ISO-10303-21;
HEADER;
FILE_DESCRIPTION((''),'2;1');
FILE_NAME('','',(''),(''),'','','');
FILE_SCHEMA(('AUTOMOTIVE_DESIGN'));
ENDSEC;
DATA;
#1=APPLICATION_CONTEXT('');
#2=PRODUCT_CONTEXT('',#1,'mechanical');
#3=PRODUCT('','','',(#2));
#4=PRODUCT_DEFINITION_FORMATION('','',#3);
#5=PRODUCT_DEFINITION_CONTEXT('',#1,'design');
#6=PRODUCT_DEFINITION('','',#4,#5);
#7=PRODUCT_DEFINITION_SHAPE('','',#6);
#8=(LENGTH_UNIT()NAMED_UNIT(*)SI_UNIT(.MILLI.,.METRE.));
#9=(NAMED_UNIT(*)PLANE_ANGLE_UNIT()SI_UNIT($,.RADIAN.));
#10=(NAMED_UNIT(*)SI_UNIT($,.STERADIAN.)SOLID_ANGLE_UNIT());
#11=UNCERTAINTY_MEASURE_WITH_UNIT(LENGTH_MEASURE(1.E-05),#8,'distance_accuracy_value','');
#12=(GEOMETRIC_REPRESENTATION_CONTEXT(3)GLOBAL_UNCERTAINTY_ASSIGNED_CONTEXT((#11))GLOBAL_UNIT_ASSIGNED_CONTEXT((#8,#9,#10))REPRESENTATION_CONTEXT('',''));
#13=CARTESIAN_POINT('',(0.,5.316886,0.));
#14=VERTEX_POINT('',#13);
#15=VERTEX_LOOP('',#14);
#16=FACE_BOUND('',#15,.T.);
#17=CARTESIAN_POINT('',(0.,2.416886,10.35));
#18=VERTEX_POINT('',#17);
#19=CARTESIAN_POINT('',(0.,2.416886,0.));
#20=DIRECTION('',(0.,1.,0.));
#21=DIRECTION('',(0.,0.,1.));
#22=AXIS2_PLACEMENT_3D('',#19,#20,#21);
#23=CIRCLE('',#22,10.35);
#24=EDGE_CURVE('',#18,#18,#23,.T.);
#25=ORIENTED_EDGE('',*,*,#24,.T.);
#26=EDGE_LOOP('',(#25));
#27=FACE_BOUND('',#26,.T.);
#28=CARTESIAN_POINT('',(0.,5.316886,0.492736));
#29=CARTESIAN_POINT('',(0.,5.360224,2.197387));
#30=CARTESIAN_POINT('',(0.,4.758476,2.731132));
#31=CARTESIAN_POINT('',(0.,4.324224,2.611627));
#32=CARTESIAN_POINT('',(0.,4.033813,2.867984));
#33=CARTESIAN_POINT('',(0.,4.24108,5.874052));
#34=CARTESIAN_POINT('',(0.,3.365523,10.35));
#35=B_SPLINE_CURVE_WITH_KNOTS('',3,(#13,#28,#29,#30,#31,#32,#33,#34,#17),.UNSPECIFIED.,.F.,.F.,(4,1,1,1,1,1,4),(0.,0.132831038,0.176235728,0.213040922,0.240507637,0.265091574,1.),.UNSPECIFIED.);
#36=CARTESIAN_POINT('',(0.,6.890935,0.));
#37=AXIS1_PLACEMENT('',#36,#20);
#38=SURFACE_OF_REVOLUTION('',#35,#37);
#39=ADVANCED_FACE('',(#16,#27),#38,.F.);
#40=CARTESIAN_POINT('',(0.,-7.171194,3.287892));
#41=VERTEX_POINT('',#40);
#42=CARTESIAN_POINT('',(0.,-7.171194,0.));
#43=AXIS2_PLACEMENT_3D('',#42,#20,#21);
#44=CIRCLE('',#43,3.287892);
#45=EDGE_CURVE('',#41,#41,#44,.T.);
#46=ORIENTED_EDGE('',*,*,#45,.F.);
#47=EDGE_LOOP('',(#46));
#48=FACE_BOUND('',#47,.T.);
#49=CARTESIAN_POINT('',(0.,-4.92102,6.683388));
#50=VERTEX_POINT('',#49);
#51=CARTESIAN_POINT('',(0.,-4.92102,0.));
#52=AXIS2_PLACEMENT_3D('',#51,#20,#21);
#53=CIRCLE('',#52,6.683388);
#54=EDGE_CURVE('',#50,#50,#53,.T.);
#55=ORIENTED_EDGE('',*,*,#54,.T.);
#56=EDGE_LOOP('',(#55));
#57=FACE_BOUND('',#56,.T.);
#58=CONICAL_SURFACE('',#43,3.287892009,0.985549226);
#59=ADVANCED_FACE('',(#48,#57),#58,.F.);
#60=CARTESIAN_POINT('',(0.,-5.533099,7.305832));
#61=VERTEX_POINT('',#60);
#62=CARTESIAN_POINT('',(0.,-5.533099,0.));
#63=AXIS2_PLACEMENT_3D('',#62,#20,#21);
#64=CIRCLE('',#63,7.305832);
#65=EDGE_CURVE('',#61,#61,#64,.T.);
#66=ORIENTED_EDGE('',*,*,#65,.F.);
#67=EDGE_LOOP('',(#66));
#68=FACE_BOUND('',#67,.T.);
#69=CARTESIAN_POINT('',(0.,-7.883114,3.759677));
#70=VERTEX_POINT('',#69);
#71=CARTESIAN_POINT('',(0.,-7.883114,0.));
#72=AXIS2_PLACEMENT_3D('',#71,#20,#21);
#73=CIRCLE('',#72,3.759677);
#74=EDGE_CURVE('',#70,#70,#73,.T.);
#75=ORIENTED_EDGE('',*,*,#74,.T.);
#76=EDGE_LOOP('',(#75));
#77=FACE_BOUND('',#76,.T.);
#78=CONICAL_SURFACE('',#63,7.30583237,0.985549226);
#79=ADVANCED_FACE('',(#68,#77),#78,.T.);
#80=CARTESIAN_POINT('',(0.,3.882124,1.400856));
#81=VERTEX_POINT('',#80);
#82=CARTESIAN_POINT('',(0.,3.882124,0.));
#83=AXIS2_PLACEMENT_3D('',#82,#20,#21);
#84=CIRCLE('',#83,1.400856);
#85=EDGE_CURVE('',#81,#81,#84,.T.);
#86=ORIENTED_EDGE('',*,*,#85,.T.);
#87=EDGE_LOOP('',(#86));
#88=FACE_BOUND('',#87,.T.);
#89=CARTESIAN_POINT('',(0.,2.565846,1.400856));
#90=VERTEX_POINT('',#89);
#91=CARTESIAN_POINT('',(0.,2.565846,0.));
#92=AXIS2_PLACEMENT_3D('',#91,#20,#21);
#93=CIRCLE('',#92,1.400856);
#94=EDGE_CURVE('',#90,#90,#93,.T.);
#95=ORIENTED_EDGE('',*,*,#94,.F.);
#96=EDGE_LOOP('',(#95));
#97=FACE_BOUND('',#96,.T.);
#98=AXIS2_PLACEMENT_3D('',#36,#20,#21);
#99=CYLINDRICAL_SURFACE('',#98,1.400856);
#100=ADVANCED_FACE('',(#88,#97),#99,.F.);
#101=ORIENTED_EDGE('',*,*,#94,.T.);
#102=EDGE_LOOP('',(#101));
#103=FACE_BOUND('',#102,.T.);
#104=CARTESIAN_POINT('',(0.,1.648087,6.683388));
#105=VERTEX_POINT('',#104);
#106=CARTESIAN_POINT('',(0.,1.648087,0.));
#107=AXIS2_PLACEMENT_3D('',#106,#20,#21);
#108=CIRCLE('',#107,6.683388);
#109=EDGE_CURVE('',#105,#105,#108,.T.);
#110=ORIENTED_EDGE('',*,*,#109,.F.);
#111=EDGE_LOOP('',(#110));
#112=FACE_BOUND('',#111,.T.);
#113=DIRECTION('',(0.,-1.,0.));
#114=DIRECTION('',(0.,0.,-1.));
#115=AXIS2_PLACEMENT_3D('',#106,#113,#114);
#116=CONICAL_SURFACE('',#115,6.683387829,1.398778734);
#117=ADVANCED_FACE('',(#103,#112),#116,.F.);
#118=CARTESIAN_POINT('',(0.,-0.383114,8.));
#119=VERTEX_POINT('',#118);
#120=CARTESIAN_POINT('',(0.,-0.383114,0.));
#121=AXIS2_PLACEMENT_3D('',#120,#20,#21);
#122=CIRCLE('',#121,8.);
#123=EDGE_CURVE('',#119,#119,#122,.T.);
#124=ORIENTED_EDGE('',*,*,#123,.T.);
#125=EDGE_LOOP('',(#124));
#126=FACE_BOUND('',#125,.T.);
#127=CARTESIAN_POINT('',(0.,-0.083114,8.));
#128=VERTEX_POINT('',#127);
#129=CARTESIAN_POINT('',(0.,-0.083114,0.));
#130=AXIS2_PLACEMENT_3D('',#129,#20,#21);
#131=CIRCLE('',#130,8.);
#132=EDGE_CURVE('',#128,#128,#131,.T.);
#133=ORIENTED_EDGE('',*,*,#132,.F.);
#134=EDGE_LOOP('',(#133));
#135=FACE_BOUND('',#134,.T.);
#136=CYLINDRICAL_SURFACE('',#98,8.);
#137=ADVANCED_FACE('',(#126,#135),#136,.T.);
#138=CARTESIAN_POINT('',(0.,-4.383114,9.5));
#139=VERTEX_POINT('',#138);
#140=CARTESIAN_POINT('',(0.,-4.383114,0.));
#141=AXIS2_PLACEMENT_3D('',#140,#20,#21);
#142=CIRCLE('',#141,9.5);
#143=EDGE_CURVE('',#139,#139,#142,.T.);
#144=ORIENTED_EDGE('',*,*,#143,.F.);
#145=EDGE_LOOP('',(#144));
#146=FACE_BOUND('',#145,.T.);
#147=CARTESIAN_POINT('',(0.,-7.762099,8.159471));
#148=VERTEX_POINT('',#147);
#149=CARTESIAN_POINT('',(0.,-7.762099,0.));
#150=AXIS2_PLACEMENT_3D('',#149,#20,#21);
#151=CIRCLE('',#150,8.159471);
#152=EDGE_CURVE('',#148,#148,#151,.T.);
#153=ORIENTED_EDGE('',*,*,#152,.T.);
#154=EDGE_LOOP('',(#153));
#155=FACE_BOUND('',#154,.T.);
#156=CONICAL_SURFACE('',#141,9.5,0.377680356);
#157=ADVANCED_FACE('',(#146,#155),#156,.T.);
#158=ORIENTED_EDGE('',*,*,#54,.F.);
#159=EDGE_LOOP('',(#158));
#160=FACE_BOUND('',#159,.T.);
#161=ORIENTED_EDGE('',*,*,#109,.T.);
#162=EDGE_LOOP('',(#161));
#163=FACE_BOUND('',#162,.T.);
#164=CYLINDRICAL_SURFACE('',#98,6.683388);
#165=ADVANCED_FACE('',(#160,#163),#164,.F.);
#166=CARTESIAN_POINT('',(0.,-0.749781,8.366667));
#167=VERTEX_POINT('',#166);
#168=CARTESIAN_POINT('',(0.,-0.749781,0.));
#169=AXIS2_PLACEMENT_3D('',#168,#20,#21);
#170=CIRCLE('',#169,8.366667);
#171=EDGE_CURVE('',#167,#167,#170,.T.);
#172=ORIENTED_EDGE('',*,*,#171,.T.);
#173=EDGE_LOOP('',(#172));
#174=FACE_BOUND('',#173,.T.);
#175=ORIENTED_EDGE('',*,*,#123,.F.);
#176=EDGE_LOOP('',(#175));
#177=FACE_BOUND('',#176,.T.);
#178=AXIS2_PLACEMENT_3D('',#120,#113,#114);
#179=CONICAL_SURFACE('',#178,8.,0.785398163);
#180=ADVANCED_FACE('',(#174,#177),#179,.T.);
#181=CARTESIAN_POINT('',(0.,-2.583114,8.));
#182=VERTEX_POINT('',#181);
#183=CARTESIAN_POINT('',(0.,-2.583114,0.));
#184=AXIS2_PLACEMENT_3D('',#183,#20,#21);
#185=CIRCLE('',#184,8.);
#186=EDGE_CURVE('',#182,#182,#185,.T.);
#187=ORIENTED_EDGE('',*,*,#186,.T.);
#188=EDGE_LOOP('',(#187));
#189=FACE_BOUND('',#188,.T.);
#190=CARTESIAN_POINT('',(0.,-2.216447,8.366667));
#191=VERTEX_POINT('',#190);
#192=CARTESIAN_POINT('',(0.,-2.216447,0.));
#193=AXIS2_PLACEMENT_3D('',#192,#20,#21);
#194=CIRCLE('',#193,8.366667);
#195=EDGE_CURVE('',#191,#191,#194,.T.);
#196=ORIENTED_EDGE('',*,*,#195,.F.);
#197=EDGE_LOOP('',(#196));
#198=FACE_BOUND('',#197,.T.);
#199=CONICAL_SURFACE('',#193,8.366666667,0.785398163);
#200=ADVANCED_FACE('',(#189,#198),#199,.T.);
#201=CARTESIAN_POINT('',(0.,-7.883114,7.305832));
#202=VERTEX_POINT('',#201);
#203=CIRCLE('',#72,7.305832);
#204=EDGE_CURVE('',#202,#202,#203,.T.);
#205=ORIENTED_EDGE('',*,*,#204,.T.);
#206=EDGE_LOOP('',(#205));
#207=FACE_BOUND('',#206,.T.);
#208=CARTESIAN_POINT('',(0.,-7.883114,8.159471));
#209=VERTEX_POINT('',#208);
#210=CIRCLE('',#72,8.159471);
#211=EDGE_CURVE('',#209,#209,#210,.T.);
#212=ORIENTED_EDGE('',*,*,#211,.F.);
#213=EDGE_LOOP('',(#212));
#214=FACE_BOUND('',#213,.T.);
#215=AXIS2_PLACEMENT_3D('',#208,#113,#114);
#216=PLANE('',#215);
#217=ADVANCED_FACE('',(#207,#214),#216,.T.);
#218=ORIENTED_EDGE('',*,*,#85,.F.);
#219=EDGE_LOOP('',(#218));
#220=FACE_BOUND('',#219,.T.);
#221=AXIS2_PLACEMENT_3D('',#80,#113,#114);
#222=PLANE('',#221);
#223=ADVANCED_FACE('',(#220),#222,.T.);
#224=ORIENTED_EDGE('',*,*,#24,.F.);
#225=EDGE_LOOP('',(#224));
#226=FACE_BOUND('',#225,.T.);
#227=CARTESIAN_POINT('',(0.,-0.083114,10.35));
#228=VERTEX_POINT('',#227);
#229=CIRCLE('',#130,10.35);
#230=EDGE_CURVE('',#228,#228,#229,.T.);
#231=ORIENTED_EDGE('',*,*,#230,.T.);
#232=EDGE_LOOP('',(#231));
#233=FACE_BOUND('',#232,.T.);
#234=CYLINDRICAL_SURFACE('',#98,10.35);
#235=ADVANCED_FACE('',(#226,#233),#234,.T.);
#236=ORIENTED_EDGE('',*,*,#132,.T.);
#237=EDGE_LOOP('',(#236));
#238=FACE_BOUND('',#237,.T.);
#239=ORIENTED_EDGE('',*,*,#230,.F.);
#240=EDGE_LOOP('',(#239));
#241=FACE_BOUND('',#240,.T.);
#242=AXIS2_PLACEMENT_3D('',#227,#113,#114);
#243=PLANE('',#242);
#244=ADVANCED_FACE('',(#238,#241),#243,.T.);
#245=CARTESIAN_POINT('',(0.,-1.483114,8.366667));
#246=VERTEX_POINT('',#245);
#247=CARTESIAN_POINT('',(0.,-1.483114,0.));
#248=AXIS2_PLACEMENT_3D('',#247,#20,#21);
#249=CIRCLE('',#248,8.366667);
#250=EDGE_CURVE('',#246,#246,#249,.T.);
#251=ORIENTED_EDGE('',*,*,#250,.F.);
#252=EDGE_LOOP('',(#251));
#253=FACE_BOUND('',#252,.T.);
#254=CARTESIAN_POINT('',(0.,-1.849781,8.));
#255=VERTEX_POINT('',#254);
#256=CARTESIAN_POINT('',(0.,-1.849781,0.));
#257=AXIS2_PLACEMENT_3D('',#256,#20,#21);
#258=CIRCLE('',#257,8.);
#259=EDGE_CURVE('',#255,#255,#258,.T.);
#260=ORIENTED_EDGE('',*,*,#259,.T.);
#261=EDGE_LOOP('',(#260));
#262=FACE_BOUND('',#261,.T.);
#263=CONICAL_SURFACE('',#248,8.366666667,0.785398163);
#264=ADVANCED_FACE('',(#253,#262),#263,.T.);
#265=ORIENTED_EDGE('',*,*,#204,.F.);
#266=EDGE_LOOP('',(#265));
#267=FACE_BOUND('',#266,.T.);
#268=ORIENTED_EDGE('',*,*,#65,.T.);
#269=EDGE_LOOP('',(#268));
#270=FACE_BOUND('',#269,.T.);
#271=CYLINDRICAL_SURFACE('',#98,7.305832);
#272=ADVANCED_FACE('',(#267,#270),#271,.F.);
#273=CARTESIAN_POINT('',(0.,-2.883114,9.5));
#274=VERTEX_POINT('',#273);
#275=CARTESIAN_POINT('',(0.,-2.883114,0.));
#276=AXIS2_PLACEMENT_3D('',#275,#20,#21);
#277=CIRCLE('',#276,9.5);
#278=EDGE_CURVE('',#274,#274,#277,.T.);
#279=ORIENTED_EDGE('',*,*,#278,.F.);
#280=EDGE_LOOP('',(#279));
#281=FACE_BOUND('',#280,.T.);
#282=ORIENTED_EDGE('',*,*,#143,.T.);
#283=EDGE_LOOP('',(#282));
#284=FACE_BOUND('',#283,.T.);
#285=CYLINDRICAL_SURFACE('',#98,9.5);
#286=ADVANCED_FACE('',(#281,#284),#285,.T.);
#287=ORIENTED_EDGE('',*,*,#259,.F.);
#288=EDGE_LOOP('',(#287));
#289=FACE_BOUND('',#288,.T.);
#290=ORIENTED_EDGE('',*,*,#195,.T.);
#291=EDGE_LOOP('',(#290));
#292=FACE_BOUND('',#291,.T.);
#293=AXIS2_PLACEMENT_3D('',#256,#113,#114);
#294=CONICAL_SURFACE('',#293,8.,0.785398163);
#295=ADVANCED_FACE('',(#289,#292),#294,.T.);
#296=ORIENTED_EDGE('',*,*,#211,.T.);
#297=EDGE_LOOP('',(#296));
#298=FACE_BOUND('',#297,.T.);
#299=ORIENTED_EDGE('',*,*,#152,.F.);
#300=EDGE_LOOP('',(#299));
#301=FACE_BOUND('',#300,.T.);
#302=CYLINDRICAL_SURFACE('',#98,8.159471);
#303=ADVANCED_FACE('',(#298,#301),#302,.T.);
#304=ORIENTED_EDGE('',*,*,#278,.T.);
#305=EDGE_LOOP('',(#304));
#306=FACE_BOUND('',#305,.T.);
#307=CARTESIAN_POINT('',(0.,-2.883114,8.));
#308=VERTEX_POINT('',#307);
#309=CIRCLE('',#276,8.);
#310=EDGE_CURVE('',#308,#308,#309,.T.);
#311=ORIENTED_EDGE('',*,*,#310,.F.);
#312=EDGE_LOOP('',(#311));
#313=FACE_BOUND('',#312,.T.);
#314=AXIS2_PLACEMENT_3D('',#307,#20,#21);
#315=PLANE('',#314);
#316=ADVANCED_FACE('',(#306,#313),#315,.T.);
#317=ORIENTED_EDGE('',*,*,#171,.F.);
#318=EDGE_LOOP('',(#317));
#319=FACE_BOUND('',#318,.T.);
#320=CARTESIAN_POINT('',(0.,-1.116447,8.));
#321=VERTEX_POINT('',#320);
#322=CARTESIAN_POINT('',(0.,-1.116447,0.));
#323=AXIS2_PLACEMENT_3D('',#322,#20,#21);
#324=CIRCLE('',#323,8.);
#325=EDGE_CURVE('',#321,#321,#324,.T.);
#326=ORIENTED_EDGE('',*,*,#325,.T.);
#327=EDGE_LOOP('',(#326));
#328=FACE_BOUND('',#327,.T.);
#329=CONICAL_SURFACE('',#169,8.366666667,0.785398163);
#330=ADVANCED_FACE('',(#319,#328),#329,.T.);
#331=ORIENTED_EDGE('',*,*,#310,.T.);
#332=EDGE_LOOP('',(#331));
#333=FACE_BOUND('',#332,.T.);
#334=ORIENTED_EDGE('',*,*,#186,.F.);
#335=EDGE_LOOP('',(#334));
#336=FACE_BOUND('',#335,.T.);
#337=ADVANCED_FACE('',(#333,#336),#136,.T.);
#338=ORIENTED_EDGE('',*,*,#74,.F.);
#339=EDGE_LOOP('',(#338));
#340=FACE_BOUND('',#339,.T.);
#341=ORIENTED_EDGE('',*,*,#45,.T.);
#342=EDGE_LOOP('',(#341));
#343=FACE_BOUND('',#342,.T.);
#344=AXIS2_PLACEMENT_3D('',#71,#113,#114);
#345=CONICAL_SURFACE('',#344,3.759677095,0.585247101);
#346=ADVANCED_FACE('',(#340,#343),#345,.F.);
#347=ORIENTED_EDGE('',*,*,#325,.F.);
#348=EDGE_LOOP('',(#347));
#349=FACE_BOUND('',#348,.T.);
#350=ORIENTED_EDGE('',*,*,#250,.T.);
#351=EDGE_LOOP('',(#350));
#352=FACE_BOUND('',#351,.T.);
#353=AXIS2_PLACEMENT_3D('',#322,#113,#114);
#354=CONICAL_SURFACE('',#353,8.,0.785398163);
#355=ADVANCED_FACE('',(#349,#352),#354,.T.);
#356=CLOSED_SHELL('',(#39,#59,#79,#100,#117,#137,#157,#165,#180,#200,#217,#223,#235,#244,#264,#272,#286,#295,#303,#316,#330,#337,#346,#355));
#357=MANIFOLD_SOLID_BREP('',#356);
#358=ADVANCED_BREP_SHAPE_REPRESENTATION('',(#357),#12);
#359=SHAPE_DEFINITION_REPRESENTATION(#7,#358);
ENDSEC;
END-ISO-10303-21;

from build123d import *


with BuildPart() as part:
    # Sketch1 → Revolve1 (revolve)
    with BuildSketch(Plane(origin=(0, 0, 0), x_dir=(0, 0, -1), z_dir=(1, 0, 0))):
        with BuildLine():
            Line((-10.35, -0.083114039), (-10.35, 2.416885961))
            add(Edge.make_bspline(
                [(-10.35, 2.416885961), (-10.35, 3.365522707), (-5.87405228, 4.241080394), (-2.867984372, 4.033812591), (-2.611626956, 4.324223727), (-2.731131844, 4.758475996), (-2.197387439, 5.360223564), (-0.492736408, 5.316885961), (0, 5.316885961)],
                knots=[0, 0, 0, 0, 0.734908426, 0.759492363, 0.786959078, 0.823764272, 0.867168962, 1, 1, 1, 1], degree=3))
            Line((0, 5.316885961), (0, 3.882124351))
            Line((0, 3.882124351), (-1.400856338, 3.882124351))
            Line((-1.400856338, 3.882124351), (-1.400856338, 2.565845829))
            Line((-1.400856338, 2.565845829), (-6.683387829, 1.648087396))
            Line((-6.683387829, 1.648087396), (-6.683387829, -4.921019872))
            Line((-6.683387829, -4.921019872), (-3.287892009, -7.171193847))
            Line((-3.287892009, -7.171193847), (-3.759677095, -7.883114039))
            Line((-3.759677095, -7.883114039), (-7.30583237, -5.533098981))
            Line((-7.30583237, -5.533098981), (-7.30583237, -7.883114039))
            Line((-7.30583237, -7.883114039), (-8.159470598, -7.883114039))
            Line((-8.159470598, -7.883114039), (-8.159470598, -7.762098691))
            Line((-8.159470598, -7.762098691), (-9.5, -4.383114039))
            Line((-9.5, -4.383114039), (-9.5, -2.883114039))
            Line((-9.5, -2.883114039), (-8, -2.883114039))
            Line((-8, -2.883114039), (-8, -2.583114039))
            Line((-8, -2.583114039), (-8.366666667, -2.216447373))
            Line((-8.366666667, -2.216447373), (-8, -1.849780706))
            Line((-8, -1.849780706), (-8.366666667, -1.483114039))
            Line((-8.366666667, -1.483114039), (-8, -1.116447373))
            Line((-8, -1.116447373), (-8.366666667, -0.749780706))
            Line((-8.366666667, -0.749780706), (-8, -0.383114039))
            Line((-8, -0.383114039), (-8, -0.083114039))
            Line((-8, -0.083114039), (-10.35, -0.083114039))
        make_face()
    revolve(axis=Axis((0, 6.890935363, 0), (0, -1, 0)))


solid = part.part
